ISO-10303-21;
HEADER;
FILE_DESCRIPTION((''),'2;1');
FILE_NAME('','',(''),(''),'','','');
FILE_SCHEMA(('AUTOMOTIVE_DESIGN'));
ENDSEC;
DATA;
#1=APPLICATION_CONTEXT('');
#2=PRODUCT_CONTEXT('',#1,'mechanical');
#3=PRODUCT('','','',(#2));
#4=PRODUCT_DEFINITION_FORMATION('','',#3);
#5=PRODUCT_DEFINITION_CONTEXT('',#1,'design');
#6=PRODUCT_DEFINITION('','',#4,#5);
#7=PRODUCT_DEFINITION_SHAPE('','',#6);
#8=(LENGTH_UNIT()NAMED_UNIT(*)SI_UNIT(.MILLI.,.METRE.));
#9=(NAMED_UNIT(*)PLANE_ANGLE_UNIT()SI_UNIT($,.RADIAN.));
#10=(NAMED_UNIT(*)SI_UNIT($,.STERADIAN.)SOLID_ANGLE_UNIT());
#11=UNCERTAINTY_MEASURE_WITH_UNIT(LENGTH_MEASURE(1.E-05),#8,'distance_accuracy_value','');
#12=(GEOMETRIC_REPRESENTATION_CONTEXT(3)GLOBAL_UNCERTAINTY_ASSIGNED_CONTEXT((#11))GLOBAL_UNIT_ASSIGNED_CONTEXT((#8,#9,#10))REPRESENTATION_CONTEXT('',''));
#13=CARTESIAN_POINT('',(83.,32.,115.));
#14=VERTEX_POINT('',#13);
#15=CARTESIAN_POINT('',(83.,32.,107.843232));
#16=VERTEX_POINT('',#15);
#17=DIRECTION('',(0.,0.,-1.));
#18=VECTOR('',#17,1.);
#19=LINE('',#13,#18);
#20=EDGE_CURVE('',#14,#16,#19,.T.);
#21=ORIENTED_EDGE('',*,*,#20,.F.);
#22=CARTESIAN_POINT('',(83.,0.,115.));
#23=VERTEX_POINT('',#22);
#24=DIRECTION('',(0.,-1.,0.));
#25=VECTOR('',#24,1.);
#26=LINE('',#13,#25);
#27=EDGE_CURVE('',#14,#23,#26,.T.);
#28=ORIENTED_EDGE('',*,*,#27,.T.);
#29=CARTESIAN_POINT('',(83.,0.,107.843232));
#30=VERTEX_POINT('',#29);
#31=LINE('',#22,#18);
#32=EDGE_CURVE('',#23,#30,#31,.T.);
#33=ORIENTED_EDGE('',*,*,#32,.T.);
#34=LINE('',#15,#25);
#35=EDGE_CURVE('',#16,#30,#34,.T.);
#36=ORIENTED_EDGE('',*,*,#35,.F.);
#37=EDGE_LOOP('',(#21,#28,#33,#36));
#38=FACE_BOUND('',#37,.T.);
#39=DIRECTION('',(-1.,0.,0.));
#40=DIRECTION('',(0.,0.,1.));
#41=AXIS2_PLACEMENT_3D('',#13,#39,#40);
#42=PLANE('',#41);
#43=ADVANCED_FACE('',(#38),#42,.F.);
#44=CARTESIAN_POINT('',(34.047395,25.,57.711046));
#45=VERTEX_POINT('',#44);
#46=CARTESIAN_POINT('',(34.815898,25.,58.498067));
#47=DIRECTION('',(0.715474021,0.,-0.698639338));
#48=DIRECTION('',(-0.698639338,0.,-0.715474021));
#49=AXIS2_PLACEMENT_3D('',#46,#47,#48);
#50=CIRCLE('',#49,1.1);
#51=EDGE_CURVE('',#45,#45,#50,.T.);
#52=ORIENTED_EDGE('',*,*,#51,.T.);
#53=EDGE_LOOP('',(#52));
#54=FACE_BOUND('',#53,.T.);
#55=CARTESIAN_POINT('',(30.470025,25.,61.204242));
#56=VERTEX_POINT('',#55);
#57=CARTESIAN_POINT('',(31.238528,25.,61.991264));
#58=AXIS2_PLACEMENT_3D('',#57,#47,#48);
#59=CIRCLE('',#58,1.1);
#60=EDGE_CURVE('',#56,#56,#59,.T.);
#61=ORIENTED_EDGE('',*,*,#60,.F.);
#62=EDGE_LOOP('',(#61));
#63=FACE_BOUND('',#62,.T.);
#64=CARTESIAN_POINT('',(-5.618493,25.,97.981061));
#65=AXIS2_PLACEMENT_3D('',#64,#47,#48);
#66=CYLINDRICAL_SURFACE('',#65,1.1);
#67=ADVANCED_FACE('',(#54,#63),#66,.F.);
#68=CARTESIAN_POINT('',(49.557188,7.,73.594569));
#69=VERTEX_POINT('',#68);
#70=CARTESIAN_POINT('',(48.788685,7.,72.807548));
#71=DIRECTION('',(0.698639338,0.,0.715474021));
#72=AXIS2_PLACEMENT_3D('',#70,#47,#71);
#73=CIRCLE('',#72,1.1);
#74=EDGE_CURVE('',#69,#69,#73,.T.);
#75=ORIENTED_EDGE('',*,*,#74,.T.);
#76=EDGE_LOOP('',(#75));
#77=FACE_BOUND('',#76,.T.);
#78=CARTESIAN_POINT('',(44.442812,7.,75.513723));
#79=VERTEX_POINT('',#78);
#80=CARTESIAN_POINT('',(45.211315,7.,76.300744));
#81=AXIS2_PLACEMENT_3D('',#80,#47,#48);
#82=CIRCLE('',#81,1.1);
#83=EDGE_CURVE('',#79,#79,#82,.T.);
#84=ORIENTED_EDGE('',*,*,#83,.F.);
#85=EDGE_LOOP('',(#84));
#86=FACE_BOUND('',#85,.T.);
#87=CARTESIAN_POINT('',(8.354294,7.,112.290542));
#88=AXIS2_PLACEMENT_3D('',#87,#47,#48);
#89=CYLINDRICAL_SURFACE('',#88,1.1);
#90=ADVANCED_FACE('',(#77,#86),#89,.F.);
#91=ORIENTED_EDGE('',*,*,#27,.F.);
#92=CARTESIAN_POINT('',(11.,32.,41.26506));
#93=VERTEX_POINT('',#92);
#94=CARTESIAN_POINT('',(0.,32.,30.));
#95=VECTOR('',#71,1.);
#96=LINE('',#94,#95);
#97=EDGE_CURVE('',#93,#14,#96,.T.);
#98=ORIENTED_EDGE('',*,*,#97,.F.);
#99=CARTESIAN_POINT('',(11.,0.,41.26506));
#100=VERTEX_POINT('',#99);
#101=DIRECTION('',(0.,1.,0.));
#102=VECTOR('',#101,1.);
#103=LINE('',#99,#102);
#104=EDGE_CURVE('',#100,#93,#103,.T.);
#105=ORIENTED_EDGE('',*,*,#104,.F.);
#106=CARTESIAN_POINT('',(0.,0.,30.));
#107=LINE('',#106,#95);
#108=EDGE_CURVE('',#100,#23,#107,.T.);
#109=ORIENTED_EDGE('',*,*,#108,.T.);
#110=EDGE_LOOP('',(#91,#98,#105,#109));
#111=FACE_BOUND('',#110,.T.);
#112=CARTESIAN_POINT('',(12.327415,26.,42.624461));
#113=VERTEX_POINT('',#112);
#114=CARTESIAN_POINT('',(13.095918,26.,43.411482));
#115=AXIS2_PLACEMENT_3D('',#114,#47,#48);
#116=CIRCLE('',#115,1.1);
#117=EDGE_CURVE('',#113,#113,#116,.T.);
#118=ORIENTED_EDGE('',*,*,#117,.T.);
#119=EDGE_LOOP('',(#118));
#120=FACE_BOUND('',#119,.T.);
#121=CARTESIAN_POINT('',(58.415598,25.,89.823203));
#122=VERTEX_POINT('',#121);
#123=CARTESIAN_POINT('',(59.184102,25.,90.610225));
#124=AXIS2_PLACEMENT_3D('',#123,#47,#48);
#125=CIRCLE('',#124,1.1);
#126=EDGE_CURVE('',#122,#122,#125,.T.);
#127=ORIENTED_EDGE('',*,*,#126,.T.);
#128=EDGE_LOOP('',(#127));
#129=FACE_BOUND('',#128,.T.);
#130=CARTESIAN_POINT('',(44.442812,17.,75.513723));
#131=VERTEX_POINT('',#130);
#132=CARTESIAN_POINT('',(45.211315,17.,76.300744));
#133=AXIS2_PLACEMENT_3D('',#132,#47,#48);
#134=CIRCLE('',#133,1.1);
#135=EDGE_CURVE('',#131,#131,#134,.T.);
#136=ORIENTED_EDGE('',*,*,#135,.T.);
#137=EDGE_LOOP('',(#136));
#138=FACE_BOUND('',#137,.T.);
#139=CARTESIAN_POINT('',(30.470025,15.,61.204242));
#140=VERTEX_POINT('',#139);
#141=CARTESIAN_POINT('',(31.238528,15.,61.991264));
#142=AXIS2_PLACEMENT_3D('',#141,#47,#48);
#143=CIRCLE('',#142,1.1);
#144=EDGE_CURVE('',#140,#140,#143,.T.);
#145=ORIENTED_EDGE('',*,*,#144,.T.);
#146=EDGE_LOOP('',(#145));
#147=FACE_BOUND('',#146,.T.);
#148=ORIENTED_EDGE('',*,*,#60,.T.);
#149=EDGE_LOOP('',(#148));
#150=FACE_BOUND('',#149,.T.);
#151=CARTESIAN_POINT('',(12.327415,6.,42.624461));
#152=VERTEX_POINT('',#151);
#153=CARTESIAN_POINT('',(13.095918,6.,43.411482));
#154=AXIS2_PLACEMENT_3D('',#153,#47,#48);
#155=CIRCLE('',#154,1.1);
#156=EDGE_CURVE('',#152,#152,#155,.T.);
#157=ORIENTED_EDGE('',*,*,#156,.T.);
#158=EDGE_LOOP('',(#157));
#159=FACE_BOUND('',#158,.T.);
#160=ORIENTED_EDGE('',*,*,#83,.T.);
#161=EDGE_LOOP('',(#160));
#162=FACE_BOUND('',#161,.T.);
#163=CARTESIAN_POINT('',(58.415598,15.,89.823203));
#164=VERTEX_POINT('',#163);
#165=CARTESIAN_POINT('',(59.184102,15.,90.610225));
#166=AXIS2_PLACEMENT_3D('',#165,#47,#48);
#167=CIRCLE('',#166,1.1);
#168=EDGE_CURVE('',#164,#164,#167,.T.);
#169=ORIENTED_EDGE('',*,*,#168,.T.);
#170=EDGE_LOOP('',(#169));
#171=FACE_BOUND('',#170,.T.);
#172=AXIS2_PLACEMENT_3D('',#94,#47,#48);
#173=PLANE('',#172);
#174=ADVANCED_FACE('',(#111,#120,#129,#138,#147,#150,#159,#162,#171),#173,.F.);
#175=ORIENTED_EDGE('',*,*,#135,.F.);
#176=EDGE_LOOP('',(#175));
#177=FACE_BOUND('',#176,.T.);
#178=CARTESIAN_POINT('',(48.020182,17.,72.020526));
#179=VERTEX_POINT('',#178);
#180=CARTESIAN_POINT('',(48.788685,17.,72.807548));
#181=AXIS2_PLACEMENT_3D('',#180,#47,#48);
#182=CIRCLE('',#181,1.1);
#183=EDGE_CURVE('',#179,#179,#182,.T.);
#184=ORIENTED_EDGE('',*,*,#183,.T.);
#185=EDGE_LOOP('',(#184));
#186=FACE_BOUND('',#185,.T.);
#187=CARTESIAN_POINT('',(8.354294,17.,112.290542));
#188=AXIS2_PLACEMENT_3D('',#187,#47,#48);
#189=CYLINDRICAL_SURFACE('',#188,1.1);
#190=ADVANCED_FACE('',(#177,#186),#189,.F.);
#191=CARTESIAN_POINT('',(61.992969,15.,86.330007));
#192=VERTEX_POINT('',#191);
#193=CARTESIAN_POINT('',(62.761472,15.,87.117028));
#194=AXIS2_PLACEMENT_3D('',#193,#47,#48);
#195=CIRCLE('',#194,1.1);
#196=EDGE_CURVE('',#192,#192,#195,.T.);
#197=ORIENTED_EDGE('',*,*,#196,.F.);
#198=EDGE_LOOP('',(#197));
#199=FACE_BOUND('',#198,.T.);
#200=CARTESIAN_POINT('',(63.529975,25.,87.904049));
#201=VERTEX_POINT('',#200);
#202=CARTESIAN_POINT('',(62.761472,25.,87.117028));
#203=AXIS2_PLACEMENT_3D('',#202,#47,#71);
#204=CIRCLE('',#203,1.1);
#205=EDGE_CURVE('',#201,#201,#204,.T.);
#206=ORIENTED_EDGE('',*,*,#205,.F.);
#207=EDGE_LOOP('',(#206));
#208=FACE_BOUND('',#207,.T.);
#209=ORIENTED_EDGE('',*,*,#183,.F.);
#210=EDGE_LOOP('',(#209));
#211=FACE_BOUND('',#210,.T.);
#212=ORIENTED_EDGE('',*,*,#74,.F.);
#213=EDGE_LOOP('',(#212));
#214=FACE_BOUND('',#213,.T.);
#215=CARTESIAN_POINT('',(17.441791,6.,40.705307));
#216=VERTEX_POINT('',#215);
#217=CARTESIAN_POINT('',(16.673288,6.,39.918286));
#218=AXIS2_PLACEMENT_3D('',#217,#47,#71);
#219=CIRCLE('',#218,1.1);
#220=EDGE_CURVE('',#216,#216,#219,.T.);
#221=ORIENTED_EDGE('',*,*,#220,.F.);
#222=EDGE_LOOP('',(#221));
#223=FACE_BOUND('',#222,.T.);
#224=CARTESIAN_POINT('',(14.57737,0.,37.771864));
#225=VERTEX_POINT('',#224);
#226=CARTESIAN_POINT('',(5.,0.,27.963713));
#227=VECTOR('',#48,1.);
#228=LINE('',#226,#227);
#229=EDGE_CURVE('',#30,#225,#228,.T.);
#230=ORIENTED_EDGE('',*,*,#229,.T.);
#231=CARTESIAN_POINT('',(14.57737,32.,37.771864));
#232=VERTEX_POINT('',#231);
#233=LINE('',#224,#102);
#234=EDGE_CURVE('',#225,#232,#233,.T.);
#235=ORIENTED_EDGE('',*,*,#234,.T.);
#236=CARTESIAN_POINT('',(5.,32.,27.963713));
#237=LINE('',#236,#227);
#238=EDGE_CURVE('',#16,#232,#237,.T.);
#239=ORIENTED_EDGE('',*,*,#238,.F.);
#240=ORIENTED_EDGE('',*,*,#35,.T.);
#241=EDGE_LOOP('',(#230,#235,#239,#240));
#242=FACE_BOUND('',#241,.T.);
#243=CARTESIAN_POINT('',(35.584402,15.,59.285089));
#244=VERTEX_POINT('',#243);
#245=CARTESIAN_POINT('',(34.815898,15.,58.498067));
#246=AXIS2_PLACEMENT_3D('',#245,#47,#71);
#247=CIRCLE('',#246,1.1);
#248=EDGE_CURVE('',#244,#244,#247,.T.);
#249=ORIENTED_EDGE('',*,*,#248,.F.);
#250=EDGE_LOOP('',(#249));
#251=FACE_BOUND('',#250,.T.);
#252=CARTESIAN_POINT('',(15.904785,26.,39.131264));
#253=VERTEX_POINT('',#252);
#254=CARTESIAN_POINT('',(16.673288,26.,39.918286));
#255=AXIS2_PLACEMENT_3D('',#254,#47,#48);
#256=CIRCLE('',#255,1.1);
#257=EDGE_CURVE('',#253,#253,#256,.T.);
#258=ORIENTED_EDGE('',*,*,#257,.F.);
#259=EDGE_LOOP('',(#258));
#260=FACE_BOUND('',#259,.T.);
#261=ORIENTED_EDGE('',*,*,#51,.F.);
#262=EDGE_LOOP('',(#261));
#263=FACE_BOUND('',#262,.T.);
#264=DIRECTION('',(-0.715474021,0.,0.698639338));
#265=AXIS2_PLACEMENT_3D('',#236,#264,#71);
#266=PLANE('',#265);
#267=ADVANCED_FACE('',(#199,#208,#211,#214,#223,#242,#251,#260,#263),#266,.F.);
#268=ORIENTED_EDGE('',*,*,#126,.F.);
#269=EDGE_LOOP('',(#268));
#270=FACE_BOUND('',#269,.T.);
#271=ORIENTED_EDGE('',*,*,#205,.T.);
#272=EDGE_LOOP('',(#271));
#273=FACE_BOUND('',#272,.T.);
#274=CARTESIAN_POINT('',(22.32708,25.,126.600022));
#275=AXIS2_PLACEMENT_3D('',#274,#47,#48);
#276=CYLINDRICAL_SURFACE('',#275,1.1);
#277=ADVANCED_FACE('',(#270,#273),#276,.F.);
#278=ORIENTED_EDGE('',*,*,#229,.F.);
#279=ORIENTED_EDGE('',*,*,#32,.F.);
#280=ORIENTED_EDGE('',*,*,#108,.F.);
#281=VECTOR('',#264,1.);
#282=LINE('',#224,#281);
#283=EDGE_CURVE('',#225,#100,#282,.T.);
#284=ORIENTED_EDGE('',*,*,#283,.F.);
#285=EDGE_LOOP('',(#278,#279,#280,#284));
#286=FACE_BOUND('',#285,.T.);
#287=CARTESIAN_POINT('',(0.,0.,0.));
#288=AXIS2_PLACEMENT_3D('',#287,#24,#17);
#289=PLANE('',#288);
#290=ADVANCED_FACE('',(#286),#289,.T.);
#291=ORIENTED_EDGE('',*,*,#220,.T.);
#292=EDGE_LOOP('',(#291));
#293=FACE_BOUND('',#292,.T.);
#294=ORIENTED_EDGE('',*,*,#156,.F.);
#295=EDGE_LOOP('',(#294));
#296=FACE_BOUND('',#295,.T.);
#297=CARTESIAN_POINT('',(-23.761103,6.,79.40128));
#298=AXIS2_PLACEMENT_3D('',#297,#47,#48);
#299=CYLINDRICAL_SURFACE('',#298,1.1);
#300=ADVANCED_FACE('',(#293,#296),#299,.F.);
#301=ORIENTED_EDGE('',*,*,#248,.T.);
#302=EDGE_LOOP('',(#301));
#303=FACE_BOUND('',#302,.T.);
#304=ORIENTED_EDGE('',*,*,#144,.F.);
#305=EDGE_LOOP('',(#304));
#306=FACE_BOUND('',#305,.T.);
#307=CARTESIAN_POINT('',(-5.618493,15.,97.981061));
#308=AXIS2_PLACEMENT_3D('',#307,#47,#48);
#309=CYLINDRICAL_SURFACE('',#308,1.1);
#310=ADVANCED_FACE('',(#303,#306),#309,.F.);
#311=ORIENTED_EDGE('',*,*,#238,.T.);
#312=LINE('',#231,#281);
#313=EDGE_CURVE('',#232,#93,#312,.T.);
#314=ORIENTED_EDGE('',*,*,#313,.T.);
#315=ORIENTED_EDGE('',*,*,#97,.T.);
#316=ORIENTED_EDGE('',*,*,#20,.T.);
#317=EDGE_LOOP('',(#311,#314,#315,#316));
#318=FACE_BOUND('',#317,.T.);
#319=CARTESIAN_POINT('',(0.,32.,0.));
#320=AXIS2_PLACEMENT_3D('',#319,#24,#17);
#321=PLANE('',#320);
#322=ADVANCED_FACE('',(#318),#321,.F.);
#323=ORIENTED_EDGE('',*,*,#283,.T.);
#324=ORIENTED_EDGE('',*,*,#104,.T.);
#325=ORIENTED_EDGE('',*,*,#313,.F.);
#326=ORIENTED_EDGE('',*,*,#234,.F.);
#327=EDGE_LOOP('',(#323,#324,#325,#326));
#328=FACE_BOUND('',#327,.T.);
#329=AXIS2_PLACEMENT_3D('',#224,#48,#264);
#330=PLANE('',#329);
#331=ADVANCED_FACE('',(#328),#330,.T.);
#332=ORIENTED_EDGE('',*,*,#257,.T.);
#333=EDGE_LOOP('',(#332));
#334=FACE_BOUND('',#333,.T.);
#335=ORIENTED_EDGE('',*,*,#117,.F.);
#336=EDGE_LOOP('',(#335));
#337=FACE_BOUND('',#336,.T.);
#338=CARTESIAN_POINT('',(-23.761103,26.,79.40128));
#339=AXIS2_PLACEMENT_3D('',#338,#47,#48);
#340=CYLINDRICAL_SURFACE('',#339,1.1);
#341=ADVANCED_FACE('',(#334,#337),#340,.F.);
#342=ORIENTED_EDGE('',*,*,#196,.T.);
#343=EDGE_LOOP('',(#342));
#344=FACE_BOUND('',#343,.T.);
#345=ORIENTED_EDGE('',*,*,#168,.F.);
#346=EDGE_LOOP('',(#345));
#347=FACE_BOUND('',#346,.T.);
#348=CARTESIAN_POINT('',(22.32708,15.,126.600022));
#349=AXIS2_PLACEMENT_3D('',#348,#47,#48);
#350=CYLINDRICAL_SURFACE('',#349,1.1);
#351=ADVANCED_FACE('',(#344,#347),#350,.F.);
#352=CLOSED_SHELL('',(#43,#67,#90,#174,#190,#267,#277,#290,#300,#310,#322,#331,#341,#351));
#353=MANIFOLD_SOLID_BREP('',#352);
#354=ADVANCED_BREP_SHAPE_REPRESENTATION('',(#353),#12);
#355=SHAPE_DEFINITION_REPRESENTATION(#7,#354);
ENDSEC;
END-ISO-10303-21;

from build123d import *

# Parameters (mm, degrees)
BOSS_EXTRUDE1_DEPTH = 32
FILLET1_R           = 10
SKETCH4_W           = 170.11041037
SKETCH4_H           = 258.008077424
CUT_EXTRUDE2_DEPTH  = 33
SKETCH5_R           = 1.1
CUT_EXTRUDE3_DEPTH  = 57.514129524
SKETCH6_R           = 1.1
CUT_EXTRUDE4_DEPTH  = 57.514129524


with BuildPart() as part:
    # Sketch1 → Boss-Extrude1 (new body)
    with BuildSketch(Plane(origin=(0, 0, 0), x_dir=(1, 0, 0), z_dir=(0, 1, 0))):
        Polygon((0, 0), (0, 30), (83, 115), (83, 107.843231513), (5, 27.963713441), (5, -27.963713441), (83, -107.843231513), (83, -115), (0, -30), align=None)
    extrude(amount=BOSS_EXTRUDE1_DEPTH)

    # Fillet1
    fillet1_edges = [part.edges().sort_by_distance(p)[0] for p in [
        (0, 16, 30),
        (0, 16, -30),
    ]]
    fillet(fillet1_edges, radius=FILLET1_R)

    # Sketch4 → Cut-Extrude2 (cut, through all)
    with BuildSketch(Plane(origin=(0, 32, 0), x_dir=(1, 0, 0), z_dir=(0, 1, 0))):
        with Locations((35.635219957, -4.046970822)):
            Rectangle(SKETCH4_W, SKETCH4_H)
        Polygon((14.577370106, -37.771863549), (86.577370106, -111.506803308), (83, -115), (11, -41.265060241), align=None, mode=Mode.SUBTRACT)
    extrude(amount=-CUT_EXTRUDE2_DEPTH, mode=Mode.SUBTRACT)

    # Sketch5 → Cut-Extrude3 (cut, through all)
    with BuildSketch(Plane(origin=(-11.418378796, 0, 11.14971106), x_dir=(-0.698639338, 0, -0.715474021), z_dir=(0.715474021, 0, -0.698639338))):
        with Locations((-40.209111306, 26)):
            Circle(SKETCH5_R)
        with Locations((-40.209111306, 6)):
            Circle(SKETCH5_R)
    extrude(amount=-CUT_EXTRUDE3_DEPTH, mode=Mode.SUBTRACT)

    # Sketch6 → Cut-Extrude4 (cut, through all)
    with BuildSketch(Plane(origin=(-11.418378796, 0, 11.14971106), x_dir=(-0.698639338, 0, -0.715474021), z_dir=(0.715474021, 0, -0.698639338))):
        with Locations((-66.177603446, 25)):
            Circle(SKETCH6_R)
        with Locations((-66.177603446, 15)):
            Circle(SKETCH6_R)
        with Locations((-106.177603446, 15)):
            Circle(SKETCH6_R)
        with Locations((-106.177603446, 25)):
            Circle(SKETCH6_R)
        with Locations((-86.177603446, 17)):
            Circle(SKETCH6_R)
        with Locations((-86.177603446, 7)):
            Circle(SKETCH6_R)
    extrude(amount=-CUT_EXTRUDE4_DEPTH, mode=Mode.SUBTRACT)


solid = part.part
